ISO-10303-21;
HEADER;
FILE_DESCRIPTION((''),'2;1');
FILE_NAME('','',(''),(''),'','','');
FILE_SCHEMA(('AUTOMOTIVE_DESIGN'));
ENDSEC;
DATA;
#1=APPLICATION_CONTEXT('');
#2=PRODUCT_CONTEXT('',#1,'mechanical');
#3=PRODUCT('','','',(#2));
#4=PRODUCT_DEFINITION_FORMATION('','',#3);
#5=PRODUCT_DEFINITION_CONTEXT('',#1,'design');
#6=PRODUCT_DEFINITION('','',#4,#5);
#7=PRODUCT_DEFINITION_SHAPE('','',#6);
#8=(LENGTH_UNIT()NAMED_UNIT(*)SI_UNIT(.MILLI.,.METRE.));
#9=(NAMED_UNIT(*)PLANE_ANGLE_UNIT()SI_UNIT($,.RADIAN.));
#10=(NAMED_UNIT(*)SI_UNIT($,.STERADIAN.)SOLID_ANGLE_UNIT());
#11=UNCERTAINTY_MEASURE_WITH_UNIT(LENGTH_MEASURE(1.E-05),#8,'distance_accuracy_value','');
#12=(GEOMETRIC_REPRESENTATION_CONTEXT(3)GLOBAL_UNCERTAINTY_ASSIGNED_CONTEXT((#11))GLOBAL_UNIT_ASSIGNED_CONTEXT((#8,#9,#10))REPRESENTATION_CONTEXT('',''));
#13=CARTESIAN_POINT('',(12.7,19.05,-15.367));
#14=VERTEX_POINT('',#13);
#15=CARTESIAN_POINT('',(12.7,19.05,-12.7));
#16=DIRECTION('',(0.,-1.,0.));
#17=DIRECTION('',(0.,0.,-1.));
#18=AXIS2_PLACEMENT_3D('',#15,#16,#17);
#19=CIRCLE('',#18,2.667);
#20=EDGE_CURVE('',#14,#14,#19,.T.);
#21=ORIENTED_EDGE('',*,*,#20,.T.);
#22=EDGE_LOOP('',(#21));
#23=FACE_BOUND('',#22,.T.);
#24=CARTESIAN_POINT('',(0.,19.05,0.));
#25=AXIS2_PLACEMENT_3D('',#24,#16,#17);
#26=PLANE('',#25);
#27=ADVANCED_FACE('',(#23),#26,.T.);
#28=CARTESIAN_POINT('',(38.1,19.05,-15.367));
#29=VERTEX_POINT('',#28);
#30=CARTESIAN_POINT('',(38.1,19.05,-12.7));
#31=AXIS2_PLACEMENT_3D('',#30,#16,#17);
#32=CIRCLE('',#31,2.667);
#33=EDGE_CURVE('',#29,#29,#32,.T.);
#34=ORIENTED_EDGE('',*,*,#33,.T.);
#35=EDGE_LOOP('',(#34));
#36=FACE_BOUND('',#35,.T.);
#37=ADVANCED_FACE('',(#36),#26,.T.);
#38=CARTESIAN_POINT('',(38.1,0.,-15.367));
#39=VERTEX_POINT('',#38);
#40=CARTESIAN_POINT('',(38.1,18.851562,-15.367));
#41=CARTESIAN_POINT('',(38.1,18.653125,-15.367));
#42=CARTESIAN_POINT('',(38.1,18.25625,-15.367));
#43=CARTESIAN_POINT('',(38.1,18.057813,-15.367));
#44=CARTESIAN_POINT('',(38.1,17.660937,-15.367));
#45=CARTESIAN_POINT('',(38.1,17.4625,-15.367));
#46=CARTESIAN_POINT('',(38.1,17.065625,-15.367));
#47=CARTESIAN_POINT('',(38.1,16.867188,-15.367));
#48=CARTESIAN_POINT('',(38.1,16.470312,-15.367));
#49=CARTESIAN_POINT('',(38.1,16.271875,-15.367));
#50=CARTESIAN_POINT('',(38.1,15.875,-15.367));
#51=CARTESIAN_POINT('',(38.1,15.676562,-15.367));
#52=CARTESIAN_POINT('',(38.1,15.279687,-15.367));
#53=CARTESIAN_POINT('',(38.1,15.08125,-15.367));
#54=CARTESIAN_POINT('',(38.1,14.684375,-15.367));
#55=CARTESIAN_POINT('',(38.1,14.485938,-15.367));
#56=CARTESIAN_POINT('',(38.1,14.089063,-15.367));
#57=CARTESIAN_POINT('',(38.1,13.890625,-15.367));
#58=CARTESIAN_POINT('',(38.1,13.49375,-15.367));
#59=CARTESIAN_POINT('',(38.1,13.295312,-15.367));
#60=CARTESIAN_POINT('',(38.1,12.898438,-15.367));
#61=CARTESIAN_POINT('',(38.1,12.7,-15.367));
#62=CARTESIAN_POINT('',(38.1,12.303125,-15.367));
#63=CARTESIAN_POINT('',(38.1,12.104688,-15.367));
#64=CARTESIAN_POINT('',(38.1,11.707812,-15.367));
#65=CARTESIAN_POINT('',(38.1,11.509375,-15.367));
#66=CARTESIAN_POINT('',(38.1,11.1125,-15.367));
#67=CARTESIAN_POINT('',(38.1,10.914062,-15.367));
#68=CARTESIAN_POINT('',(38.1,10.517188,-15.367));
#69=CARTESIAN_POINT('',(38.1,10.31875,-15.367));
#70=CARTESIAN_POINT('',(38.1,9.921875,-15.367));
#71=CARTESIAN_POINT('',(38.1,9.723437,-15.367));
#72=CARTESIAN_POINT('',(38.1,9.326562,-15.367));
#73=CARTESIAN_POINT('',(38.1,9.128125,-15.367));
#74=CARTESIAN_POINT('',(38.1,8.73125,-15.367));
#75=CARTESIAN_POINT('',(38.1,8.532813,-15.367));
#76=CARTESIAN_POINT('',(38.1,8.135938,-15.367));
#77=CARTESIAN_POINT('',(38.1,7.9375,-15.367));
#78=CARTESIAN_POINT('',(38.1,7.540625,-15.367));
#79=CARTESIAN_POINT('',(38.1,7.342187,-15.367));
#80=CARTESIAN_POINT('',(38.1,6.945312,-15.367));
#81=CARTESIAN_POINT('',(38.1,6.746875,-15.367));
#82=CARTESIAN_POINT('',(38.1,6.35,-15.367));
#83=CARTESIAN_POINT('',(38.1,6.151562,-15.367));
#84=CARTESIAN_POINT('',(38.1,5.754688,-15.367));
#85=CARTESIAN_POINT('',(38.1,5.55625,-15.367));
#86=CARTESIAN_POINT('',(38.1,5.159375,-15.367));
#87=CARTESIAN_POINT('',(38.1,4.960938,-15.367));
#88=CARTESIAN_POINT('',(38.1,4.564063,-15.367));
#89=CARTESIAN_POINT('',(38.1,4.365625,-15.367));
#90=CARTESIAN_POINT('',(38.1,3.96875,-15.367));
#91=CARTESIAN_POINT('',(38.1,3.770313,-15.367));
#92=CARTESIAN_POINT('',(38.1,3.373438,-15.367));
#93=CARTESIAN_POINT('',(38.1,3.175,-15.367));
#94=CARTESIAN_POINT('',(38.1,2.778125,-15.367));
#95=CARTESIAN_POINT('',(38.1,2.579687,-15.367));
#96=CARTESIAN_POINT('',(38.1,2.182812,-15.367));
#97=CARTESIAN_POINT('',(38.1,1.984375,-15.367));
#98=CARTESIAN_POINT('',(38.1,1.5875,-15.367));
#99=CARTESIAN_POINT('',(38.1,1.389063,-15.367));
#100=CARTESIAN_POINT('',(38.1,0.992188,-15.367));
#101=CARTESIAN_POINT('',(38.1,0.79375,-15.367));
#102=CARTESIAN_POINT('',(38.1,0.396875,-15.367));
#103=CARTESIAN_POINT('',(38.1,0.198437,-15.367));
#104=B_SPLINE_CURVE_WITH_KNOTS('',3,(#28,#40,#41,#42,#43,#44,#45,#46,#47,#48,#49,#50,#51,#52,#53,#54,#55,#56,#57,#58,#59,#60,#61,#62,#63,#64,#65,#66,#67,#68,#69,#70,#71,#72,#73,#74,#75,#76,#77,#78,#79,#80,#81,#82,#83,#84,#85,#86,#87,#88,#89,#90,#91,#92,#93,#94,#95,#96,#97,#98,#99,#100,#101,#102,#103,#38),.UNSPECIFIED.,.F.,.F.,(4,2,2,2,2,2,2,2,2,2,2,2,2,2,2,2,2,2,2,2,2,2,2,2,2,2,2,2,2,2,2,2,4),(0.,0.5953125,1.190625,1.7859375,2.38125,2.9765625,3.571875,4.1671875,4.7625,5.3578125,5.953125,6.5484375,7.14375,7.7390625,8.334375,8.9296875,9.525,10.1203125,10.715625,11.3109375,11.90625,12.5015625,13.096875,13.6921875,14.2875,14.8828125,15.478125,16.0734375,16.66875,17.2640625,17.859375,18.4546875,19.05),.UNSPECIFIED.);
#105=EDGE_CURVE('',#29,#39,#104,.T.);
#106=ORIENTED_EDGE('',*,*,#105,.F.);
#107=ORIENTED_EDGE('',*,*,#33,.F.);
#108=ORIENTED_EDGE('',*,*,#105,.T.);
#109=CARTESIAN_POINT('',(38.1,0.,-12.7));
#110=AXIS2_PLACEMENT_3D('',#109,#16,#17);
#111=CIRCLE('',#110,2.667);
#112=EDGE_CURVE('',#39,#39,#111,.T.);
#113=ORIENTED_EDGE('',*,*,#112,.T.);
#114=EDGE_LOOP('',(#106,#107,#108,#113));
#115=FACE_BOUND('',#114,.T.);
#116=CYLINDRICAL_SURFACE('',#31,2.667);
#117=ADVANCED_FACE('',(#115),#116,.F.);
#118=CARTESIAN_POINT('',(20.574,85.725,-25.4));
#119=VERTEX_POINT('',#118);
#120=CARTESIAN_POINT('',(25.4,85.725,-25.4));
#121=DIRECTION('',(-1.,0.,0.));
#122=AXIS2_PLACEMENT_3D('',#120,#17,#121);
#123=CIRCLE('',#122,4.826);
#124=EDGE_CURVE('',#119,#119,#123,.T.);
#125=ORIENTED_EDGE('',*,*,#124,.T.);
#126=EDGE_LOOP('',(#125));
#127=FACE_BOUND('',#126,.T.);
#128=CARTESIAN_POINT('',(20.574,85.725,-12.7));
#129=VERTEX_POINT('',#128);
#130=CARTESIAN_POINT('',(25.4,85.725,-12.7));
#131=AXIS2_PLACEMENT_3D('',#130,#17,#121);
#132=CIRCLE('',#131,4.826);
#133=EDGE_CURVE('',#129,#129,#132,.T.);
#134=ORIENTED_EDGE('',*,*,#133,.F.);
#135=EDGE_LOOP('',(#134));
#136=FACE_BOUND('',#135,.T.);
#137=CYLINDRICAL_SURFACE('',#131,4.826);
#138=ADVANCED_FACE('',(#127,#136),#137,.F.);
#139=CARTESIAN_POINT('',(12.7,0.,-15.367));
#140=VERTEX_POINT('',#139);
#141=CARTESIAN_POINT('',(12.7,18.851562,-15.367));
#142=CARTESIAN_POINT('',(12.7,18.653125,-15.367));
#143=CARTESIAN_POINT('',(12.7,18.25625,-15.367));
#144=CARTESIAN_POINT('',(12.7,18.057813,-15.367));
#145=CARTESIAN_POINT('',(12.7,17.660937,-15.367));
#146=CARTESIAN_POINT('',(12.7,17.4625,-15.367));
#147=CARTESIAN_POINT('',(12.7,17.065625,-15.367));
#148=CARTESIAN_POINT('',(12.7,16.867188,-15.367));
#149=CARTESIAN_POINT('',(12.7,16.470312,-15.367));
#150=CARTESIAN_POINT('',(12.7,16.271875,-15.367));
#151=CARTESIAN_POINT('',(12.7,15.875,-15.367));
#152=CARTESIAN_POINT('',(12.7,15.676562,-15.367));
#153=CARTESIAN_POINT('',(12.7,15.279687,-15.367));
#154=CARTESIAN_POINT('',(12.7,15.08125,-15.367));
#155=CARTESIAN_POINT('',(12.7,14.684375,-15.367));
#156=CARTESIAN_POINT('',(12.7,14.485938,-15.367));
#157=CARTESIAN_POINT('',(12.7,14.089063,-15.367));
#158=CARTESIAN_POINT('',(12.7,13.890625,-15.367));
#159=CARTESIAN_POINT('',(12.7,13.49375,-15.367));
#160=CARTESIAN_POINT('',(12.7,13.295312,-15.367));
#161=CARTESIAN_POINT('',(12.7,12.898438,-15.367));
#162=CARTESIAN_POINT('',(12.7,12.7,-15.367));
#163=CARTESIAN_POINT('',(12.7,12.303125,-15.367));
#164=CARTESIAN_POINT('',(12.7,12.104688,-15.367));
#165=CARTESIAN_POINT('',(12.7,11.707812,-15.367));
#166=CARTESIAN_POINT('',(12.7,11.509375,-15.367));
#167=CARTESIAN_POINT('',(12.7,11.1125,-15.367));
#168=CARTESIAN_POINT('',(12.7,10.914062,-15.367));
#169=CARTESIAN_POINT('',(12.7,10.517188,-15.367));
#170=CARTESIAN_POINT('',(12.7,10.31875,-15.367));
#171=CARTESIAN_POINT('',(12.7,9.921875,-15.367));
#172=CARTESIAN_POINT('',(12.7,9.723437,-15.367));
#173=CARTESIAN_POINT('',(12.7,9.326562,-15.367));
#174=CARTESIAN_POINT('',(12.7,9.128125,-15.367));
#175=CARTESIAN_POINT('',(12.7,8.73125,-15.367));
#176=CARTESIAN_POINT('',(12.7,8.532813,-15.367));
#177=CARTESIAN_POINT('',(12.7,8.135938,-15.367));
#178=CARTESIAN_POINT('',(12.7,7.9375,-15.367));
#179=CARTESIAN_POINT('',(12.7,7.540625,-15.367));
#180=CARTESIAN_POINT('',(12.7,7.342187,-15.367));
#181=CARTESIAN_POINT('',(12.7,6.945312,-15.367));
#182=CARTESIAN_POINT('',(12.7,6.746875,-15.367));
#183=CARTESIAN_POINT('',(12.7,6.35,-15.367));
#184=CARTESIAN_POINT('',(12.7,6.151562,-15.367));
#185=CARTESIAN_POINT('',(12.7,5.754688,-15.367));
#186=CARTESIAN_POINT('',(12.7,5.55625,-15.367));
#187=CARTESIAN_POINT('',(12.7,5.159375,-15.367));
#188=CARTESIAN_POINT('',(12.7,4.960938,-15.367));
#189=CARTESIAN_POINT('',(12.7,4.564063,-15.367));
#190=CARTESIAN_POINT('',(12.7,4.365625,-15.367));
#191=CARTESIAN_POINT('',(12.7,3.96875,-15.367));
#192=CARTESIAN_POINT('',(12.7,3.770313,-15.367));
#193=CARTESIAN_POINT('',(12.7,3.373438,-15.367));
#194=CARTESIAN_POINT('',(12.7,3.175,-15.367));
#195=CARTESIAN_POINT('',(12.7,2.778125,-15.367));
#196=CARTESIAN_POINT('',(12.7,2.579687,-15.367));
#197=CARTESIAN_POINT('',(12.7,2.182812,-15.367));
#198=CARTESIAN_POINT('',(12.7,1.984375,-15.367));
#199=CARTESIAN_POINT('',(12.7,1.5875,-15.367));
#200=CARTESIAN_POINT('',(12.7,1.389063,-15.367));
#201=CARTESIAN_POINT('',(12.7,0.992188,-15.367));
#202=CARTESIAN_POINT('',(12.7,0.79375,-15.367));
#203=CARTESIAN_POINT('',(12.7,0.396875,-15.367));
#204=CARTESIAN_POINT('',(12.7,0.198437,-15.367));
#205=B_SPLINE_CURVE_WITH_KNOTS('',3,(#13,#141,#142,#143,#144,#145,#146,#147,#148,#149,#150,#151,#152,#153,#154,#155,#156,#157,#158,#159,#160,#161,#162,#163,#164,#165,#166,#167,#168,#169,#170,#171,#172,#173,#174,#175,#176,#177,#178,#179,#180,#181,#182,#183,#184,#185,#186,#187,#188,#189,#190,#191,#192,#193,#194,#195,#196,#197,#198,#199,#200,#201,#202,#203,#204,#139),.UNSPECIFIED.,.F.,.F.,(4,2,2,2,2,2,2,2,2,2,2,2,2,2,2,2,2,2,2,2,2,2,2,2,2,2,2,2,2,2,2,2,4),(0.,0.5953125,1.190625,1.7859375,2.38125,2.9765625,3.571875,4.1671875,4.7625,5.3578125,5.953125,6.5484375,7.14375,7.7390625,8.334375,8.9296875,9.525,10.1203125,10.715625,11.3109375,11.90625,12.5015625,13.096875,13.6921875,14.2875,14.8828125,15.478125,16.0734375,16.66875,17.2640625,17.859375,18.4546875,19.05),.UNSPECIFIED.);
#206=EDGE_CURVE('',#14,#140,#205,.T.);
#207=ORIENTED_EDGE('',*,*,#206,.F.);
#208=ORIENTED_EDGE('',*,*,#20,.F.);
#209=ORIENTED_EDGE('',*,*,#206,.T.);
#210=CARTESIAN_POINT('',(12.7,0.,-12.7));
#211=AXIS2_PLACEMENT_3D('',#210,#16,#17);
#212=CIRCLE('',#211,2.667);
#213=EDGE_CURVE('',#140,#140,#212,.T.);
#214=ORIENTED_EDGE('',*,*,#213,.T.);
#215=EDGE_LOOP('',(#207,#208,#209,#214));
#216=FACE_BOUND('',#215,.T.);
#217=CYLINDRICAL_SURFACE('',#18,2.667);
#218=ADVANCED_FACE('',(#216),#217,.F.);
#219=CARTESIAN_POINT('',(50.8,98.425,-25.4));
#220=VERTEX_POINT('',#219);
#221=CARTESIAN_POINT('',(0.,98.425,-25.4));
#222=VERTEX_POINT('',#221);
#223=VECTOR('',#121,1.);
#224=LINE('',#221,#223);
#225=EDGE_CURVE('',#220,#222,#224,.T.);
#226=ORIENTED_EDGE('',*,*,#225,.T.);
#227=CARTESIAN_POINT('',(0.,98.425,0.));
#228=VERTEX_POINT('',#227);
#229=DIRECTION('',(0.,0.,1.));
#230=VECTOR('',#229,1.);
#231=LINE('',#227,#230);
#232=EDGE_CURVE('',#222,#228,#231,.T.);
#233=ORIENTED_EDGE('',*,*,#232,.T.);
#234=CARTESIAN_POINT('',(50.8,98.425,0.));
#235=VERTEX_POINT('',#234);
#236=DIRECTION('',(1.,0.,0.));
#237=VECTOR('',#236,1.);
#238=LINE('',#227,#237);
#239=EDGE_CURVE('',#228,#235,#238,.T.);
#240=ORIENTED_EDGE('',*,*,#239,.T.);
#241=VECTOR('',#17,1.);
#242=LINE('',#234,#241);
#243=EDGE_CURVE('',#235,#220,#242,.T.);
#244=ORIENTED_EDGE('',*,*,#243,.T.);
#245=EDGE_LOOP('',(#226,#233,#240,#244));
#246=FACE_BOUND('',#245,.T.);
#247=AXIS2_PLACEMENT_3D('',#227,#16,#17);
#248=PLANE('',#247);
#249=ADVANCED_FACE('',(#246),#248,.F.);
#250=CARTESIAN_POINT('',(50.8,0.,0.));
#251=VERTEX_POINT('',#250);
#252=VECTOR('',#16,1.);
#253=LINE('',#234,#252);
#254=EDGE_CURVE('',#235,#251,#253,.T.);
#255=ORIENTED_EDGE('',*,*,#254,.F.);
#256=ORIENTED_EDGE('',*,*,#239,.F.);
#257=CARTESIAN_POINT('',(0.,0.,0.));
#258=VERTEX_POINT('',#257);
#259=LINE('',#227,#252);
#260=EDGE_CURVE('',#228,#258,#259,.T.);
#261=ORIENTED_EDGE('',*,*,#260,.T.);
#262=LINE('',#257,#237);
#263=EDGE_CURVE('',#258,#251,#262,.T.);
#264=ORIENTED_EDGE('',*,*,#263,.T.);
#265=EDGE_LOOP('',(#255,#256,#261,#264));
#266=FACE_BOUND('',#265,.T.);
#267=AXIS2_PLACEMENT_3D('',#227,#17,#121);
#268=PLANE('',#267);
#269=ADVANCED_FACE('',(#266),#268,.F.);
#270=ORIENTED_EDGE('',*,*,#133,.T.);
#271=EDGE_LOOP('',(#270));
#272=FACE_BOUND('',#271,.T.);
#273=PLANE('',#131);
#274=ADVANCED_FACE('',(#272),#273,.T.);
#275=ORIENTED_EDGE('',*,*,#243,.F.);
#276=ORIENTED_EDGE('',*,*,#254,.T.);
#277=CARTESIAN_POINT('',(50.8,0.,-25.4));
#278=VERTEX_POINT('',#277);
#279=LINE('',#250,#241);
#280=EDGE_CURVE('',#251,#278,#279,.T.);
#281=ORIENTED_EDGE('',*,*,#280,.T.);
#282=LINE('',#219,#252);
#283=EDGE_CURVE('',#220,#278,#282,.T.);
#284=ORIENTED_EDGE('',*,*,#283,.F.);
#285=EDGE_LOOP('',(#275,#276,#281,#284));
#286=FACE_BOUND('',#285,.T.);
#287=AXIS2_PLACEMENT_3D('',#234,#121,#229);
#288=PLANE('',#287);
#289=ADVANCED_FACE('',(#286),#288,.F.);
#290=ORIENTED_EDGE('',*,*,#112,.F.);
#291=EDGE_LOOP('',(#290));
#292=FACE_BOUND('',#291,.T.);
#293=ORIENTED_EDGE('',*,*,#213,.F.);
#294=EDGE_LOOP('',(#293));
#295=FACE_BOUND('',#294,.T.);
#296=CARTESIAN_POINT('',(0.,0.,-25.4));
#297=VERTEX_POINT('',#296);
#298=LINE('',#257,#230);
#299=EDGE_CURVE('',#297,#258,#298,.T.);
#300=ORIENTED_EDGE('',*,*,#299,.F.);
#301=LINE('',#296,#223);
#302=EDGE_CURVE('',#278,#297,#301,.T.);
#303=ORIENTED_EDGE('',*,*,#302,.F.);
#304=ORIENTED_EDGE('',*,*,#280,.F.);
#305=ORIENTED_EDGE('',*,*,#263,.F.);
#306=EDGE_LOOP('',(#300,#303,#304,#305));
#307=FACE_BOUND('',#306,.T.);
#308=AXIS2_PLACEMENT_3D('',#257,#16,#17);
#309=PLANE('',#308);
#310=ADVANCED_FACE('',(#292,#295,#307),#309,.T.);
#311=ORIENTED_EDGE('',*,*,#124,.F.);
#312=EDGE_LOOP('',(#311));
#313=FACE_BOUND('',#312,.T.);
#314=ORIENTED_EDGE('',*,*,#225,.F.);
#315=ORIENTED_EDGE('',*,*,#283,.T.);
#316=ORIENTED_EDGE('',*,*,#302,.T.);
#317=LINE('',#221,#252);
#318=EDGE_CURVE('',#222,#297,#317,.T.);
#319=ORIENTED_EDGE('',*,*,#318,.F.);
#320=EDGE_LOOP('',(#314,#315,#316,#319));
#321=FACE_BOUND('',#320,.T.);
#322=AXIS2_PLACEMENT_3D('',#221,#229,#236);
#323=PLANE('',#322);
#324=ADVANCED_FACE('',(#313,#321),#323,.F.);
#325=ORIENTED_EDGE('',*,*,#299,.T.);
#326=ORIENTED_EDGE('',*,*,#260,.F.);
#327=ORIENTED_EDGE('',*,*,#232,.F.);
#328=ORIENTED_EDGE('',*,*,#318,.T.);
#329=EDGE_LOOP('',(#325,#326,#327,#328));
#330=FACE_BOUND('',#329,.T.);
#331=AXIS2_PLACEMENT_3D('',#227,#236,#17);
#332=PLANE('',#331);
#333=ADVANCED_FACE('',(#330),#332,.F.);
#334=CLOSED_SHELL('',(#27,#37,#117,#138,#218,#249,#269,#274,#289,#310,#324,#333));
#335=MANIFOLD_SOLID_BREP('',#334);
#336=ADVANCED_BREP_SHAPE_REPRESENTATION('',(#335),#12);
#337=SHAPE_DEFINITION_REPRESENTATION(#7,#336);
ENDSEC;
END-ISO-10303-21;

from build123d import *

# Parameters (mm, degrees)
SKETCH2_W           = 50.8
SKETCH2_H           = 25.4
BOSS_EXTRUDE1_DEPTH = 98.425
SKETCH4_R           = 2.667
CUT_EXTRUDE2_DEPTH  = 19.05
SKETCH5_R           = 4.826
CUT_EXTRUDE3_DEPTH  = 12.7


with BuildPart() as part:
    # Sketch2 → Boss-Extrude1 (new body)
    with BuildSketch(Plane(origin=(0, 0, 0), x_dir=(1, 0, 0), z_dir=(0, 1, 0))):
        with Locations((25.4, 12.7)):
            Rectangle(SKETCH2_W, SKETCH2_H)
    extrude(amount=BOSS_EXTRUDE1_DEPTH)

    # Sketch4 → Cut-Extrude2 (cut)
    with BuildSketch(Plane(origin=(0, 0, 0), x_dir=(-1, 0, 0), z_dir=(0, -1, 0))):
        with Locations(Location((-12.7, 12.7, 0), (0, 0, 90))):
            Circle(SKETCH4_R)
        with Locations(Location((-38.1, 12.7, 0), (0, 0, 90))):
            Circle(SKETCH4_R)
    extrude(amount=-CUT_EXTRUDE2_DEPTH, mode=Mode.SUBTRACT)

    # Sketch5 → Cut-Extrude3 (cut)
    with BuildSketch(Plane(origin=(0, 0, -25.4), x_dir=(-1, 0, 0), z_dir=(0, 0, -1))):
        with Locations((-25.4, 85.725)):
            Circle(SKETCH5_R)
    extrude(amount=-CUT_EXTRUDE3_DEPTH, mode=Mode.SUBTRACT)


solid = part.part
